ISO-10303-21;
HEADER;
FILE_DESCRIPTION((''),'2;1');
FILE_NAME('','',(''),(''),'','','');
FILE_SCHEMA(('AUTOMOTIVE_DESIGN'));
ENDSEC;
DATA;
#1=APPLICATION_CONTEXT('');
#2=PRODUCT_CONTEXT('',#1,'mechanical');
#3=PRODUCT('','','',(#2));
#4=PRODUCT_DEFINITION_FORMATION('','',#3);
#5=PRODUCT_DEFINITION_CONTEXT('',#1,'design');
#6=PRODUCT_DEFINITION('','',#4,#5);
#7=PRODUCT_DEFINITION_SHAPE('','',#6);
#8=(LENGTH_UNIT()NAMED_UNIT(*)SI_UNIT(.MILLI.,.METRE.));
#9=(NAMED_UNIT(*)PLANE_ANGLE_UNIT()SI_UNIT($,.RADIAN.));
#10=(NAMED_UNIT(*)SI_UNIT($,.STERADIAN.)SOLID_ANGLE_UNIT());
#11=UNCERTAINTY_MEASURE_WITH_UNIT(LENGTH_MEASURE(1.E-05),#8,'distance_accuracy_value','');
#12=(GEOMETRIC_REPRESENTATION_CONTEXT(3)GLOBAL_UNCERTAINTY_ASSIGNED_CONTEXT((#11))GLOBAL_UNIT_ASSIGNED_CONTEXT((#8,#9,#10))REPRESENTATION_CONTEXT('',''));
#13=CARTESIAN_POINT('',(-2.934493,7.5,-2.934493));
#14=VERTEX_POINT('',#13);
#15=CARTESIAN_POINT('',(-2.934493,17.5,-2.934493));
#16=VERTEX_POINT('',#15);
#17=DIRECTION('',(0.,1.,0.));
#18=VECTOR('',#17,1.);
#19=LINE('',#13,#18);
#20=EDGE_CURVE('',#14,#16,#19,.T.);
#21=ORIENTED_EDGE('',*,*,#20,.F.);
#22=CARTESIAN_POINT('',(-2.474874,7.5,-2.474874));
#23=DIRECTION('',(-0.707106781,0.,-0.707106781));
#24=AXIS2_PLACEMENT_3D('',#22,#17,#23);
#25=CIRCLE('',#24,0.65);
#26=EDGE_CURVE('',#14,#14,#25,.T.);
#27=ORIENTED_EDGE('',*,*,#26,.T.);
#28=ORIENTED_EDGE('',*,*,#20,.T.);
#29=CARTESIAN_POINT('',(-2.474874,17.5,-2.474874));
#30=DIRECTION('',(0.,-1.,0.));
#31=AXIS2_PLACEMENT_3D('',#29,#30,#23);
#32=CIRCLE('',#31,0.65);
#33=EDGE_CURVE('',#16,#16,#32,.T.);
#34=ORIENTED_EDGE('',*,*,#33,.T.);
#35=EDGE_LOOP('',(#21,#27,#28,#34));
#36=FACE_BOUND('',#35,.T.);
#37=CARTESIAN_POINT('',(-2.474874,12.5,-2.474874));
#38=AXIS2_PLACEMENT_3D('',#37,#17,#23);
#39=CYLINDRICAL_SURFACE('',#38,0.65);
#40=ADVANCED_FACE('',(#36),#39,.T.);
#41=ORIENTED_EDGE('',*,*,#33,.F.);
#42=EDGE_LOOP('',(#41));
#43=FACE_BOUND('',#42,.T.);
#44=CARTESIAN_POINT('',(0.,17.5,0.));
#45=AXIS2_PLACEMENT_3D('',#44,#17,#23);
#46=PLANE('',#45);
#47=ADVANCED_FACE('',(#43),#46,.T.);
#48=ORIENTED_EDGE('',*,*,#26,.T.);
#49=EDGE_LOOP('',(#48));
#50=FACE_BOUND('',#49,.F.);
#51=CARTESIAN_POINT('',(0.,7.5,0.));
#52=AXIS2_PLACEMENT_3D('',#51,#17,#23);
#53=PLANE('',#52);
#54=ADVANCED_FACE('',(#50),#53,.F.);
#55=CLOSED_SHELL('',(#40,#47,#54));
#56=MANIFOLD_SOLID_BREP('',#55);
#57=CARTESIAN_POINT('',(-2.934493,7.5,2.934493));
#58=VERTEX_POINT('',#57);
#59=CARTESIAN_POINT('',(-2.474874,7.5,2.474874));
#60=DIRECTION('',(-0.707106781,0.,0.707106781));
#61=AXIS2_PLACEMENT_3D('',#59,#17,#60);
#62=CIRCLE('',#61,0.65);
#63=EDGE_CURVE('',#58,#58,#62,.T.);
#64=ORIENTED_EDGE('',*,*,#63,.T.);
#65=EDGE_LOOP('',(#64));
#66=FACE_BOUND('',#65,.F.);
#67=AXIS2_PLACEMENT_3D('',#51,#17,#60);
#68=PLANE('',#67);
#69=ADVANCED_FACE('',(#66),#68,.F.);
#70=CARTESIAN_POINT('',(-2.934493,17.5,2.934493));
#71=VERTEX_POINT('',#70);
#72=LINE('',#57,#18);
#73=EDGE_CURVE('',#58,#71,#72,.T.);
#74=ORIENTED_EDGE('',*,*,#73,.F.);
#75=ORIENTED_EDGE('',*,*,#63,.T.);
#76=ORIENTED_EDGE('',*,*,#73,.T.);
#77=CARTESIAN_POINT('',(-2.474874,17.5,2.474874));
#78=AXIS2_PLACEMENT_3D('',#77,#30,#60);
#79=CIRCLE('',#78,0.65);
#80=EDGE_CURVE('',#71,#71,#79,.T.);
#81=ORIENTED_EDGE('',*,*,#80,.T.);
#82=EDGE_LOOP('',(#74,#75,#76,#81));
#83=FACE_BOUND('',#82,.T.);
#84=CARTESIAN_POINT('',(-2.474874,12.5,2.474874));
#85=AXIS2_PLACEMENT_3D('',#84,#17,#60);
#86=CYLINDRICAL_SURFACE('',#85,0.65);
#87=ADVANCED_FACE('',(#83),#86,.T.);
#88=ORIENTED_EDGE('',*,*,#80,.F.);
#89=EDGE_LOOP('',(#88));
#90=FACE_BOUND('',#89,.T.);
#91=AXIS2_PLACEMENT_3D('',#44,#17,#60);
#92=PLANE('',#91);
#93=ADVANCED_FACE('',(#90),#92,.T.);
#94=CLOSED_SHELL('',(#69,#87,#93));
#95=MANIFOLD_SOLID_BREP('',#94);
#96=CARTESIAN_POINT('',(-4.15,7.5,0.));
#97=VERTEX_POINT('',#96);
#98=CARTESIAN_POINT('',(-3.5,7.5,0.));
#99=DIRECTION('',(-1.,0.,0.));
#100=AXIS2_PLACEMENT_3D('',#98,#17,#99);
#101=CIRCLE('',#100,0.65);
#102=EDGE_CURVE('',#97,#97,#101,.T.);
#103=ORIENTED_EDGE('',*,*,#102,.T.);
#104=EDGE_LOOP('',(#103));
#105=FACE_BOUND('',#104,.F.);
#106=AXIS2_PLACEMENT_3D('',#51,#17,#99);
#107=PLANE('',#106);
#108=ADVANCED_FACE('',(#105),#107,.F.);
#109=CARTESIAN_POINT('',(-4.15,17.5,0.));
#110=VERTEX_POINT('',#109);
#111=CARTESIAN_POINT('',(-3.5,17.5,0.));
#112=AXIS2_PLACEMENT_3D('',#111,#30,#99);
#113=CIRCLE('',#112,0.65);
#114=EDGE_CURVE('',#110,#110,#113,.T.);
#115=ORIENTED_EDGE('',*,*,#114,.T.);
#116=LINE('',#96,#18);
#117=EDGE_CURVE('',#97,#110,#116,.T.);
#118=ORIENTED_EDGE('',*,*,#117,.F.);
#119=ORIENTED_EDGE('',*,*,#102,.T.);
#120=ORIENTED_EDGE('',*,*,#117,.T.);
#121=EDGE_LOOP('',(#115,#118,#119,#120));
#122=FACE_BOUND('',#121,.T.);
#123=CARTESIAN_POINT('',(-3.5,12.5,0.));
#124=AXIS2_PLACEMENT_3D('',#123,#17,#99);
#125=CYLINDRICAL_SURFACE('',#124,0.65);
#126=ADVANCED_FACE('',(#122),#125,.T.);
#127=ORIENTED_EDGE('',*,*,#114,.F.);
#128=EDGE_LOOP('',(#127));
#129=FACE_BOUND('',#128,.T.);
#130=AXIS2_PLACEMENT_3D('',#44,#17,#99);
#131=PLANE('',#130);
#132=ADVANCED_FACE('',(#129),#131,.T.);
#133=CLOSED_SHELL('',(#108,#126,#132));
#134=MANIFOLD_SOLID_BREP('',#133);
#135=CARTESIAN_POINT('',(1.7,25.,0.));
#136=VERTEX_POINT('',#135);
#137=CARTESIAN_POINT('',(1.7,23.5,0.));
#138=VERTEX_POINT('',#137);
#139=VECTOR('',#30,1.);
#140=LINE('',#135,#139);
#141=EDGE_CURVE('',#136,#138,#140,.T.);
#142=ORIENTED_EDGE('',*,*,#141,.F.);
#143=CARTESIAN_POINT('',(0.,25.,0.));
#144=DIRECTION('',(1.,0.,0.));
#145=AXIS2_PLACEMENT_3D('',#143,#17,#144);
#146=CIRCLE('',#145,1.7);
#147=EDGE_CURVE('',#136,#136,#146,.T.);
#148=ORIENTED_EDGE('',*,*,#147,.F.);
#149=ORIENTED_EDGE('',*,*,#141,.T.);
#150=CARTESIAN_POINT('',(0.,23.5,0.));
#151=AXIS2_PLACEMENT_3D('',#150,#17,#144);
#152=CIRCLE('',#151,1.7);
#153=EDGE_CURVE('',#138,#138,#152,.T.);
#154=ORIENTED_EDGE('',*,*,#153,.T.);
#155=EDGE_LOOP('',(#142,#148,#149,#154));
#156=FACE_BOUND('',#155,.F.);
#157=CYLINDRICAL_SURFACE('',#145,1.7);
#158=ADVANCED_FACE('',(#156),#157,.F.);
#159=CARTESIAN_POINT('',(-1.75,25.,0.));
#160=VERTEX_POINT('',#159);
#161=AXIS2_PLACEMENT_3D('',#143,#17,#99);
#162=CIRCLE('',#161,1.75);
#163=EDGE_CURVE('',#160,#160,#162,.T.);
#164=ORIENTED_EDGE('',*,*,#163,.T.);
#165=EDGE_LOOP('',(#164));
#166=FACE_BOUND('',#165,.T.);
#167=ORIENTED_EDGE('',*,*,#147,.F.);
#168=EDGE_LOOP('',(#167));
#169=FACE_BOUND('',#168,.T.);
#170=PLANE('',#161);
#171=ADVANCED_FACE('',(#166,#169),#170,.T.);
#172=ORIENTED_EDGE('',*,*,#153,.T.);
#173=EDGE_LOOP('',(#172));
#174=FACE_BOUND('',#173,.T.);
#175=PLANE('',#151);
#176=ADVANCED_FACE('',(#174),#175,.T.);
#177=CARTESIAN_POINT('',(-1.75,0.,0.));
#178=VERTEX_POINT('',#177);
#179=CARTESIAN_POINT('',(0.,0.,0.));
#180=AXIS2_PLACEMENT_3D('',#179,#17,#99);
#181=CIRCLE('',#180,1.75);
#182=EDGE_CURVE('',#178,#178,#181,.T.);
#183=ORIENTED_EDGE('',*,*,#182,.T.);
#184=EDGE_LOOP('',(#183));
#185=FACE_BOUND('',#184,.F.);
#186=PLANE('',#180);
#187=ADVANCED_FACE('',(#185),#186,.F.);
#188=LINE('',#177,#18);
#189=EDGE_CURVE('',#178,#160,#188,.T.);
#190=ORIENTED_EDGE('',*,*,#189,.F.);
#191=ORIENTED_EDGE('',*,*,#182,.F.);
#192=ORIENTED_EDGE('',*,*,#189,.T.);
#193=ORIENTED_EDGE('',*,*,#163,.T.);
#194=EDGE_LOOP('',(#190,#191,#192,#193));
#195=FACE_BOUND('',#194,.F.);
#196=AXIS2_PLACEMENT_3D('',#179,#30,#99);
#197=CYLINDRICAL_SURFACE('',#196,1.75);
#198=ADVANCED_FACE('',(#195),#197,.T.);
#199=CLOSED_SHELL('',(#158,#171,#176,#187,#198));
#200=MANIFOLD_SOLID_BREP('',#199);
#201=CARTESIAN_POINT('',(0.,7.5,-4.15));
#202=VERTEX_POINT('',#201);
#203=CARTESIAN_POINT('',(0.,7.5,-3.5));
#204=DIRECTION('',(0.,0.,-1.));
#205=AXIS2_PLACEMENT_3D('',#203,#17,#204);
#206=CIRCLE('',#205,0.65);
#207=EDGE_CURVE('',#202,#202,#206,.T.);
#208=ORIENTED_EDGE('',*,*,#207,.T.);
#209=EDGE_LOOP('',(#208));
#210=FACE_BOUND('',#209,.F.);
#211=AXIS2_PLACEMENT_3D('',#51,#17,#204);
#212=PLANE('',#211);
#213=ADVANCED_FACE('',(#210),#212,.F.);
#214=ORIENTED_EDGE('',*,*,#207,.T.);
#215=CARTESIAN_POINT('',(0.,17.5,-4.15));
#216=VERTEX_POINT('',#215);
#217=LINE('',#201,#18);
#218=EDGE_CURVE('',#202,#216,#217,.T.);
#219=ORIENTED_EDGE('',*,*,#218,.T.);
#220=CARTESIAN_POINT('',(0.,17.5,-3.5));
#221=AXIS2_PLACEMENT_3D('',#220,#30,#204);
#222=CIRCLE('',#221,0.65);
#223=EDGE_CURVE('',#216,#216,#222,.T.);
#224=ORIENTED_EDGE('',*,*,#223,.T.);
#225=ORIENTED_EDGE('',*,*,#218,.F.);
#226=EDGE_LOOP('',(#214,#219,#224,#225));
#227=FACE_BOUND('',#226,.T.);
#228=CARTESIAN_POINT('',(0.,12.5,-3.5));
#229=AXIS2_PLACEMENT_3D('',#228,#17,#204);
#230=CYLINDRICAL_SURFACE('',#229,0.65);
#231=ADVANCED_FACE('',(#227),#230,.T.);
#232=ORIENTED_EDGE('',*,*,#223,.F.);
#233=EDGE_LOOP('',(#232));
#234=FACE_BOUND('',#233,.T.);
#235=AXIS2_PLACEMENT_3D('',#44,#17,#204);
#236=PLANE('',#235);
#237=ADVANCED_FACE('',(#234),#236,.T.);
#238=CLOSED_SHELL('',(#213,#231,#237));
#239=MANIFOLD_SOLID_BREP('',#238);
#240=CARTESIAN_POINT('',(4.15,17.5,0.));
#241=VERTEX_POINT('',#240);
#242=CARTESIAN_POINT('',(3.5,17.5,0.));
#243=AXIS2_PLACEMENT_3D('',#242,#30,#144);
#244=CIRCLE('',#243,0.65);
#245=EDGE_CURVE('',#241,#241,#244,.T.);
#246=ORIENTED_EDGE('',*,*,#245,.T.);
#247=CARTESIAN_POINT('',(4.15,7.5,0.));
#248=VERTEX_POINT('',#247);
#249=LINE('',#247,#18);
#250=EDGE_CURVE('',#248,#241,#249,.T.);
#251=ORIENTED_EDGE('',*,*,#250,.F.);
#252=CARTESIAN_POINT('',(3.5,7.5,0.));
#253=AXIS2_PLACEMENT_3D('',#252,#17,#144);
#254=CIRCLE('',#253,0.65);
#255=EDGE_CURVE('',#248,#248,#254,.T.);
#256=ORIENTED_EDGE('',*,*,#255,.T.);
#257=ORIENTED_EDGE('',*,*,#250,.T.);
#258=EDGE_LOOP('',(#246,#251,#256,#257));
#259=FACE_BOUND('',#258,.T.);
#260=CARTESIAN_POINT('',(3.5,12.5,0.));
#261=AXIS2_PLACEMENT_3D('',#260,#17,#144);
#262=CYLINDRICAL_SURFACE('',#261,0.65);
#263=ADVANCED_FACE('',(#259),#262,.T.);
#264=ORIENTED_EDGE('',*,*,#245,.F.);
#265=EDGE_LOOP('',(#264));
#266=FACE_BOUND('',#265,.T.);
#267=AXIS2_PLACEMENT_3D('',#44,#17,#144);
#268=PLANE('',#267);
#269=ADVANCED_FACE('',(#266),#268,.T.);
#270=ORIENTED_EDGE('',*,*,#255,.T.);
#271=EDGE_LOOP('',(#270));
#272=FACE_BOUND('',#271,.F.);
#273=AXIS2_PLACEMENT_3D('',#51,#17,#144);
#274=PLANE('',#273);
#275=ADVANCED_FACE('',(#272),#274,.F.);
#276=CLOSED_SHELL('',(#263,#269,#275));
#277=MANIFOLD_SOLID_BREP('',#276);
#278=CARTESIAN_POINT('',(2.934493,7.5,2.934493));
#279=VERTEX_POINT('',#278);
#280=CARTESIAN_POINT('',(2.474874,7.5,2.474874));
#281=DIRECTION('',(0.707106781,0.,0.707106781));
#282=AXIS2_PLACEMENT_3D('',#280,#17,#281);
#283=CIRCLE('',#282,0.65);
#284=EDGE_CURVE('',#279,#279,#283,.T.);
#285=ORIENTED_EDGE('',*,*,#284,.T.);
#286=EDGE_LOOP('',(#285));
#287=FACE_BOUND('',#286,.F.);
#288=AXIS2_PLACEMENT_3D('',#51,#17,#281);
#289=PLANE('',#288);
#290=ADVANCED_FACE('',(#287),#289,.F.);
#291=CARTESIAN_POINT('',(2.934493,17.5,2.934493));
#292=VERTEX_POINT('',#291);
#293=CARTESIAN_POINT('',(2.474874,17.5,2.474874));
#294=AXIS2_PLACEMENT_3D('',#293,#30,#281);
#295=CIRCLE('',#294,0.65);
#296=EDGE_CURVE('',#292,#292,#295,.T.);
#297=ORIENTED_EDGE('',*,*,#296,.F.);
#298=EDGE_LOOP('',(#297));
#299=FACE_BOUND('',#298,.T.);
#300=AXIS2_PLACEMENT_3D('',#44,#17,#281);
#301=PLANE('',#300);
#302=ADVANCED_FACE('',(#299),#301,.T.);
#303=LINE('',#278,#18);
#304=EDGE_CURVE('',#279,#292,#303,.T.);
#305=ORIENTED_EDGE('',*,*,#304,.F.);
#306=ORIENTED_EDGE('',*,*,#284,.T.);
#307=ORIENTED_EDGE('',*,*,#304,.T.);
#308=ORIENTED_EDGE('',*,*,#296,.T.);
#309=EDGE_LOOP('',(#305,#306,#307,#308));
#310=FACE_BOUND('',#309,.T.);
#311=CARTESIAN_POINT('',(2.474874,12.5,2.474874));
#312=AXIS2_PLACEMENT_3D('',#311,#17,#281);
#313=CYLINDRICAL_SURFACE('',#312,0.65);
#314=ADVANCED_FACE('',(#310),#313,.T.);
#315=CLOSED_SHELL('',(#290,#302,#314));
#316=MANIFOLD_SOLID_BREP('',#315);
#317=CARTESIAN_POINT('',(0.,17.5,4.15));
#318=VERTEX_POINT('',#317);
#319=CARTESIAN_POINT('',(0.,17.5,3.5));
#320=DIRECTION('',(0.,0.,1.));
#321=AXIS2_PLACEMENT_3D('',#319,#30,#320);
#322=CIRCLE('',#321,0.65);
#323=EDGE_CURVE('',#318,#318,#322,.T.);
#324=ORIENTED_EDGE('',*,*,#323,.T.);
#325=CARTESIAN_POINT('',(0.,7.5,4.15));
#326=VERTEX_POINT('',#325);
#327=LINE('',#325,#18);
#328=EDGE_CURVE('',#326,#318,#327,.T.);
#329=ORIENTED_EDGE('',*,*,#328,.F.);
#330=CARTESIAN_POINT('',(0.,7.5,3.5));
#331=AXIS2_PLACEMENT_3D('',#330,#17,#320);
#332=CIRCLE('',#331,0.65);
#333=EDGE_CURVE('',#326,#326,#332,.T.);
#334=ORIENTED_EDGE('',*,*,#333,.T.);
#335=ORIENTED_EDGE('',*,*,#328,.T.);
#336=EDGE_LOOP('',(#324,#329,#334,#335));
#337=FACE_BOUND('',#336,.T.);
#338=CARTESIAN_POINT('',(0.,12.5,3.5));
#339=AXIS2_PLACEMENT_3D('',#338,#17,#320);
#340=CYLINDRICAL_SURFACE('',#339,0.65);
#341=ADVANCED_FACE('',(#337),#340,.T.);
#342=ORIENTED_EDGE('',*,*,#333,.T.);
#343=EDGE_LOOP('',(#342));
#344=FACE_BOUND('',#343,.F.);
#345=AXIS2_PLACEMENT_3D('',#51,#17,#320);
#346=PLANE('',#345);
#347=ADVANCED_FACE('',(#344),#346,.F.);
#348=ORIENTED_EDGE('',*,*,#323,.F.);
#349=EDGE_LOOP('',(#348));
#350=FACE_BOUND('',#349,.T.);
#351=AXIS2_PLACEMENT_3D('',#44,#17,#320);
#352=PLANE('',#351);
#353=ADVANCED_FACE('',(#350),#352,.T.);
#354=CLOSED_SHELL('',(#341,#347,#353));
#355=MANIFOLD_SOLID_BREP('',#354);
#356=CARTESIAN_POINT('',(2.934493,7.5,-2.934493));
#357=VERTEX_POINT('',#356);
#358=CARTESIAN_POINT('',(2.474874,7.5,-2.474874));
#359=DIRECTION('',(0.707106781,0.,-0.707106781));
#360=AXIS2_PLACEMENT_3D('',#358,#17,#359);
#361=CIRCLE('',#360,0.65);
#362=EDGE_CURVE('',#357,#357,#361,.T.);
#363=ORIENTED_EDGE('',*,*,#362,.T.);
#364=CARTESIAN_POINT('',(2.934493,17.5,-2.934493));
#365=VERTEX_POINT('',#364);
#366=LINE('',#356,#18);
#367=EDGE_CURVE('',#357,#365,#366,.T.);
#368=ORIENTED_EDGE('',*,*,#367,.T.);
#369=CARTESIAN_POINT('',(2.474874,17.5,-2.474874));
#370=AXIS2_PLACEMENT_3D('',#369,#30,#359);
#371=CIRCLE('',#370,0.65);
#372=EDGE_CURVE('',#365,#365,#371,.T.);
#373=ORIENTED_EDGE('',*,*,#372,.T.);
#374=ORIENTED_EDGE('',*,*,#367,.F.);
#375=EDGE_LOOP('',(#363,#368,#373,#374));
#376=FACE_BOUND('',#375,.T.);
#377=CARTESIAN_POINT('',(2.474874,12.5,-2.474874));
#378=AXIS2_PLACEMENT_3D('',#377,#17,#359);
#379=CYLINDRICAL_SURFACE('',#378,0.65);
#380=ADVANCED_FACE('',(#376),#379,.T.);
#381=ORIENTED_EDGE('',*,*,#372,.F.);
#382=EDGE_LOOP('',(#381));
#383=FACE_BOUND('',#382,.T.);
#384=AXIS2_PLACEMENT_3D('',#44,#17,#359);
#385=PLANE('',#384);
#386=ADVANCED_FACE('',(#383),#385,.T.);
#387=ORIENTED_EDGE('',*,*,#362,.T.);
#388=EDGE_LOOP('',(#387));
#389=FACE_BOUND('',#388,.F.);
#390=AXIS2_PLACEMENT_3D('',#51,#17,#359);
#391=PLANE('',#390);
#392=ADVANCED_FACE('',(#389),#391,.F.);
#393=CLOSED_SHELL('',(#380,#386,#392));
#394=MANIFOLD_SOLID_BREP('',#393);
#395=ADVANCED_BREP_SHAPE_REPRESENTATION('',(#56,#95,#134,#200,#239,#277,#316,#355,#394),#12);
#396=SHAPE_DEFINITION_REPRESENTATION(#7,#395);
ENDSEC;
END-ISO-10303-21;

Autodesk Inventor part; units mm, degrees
ref_plane "YZ Plane" through (0, 0, 0) normal (1, 0, 0) x (0, 1, 0)
ref_plane "XZ Plane" through (0, 0, 0) normal (0, 1, 0) x (-1, 0, 0)
sketch "草圖1" plane through (0, 0, 0) normal (0, 1, 0) x (-1, 0, 0)
  circle A0 centre (0, 0) radius 1.75
  dimension "d0" = 3.5
extrude "擠出1" add sketch "草圖1" along normal blind 25
ref_plane "工作平面1" through (0, 12.5, 0) normal (0, 1, 0) x (1, 0, 0)
sketch "草圖2" plane through (0, 12.5, 0) normal (0, 1, 0) x (1, 0, 0)
  circle A0 centre (0, 0) radius 1.75 projected
  circle A1 centre (0, 0) radius 3.5
  circle A2 centre (3.5, 0) radius 0.65
  dimension "d3" = 7
  dimension "d4" = 1.3
extrude "擠出2" add sketch "草圖2" along normal mid plane 10 contours A1 A2 | A1 A2 picked at (3.2876, -0.1251) picked at (3.6904, -0.1714)
pattern_circular "環形陣列1" count 8 over 360 about axis through (0, 0, 0) along (0, 1, 0) of "擠出2"
sketch "草圖3" plane through (0, 25, 0) normal (0, 1, 0) x (1, 0, 0)
  circle A0 centre (0, 0) radius 1.7
  dimension "d10" = 3.4
extrude "擠出3" cut sketch "草圖3" against normal blind 1.5
properties part number "110033226_ipt_53_散步橋圓柱"
